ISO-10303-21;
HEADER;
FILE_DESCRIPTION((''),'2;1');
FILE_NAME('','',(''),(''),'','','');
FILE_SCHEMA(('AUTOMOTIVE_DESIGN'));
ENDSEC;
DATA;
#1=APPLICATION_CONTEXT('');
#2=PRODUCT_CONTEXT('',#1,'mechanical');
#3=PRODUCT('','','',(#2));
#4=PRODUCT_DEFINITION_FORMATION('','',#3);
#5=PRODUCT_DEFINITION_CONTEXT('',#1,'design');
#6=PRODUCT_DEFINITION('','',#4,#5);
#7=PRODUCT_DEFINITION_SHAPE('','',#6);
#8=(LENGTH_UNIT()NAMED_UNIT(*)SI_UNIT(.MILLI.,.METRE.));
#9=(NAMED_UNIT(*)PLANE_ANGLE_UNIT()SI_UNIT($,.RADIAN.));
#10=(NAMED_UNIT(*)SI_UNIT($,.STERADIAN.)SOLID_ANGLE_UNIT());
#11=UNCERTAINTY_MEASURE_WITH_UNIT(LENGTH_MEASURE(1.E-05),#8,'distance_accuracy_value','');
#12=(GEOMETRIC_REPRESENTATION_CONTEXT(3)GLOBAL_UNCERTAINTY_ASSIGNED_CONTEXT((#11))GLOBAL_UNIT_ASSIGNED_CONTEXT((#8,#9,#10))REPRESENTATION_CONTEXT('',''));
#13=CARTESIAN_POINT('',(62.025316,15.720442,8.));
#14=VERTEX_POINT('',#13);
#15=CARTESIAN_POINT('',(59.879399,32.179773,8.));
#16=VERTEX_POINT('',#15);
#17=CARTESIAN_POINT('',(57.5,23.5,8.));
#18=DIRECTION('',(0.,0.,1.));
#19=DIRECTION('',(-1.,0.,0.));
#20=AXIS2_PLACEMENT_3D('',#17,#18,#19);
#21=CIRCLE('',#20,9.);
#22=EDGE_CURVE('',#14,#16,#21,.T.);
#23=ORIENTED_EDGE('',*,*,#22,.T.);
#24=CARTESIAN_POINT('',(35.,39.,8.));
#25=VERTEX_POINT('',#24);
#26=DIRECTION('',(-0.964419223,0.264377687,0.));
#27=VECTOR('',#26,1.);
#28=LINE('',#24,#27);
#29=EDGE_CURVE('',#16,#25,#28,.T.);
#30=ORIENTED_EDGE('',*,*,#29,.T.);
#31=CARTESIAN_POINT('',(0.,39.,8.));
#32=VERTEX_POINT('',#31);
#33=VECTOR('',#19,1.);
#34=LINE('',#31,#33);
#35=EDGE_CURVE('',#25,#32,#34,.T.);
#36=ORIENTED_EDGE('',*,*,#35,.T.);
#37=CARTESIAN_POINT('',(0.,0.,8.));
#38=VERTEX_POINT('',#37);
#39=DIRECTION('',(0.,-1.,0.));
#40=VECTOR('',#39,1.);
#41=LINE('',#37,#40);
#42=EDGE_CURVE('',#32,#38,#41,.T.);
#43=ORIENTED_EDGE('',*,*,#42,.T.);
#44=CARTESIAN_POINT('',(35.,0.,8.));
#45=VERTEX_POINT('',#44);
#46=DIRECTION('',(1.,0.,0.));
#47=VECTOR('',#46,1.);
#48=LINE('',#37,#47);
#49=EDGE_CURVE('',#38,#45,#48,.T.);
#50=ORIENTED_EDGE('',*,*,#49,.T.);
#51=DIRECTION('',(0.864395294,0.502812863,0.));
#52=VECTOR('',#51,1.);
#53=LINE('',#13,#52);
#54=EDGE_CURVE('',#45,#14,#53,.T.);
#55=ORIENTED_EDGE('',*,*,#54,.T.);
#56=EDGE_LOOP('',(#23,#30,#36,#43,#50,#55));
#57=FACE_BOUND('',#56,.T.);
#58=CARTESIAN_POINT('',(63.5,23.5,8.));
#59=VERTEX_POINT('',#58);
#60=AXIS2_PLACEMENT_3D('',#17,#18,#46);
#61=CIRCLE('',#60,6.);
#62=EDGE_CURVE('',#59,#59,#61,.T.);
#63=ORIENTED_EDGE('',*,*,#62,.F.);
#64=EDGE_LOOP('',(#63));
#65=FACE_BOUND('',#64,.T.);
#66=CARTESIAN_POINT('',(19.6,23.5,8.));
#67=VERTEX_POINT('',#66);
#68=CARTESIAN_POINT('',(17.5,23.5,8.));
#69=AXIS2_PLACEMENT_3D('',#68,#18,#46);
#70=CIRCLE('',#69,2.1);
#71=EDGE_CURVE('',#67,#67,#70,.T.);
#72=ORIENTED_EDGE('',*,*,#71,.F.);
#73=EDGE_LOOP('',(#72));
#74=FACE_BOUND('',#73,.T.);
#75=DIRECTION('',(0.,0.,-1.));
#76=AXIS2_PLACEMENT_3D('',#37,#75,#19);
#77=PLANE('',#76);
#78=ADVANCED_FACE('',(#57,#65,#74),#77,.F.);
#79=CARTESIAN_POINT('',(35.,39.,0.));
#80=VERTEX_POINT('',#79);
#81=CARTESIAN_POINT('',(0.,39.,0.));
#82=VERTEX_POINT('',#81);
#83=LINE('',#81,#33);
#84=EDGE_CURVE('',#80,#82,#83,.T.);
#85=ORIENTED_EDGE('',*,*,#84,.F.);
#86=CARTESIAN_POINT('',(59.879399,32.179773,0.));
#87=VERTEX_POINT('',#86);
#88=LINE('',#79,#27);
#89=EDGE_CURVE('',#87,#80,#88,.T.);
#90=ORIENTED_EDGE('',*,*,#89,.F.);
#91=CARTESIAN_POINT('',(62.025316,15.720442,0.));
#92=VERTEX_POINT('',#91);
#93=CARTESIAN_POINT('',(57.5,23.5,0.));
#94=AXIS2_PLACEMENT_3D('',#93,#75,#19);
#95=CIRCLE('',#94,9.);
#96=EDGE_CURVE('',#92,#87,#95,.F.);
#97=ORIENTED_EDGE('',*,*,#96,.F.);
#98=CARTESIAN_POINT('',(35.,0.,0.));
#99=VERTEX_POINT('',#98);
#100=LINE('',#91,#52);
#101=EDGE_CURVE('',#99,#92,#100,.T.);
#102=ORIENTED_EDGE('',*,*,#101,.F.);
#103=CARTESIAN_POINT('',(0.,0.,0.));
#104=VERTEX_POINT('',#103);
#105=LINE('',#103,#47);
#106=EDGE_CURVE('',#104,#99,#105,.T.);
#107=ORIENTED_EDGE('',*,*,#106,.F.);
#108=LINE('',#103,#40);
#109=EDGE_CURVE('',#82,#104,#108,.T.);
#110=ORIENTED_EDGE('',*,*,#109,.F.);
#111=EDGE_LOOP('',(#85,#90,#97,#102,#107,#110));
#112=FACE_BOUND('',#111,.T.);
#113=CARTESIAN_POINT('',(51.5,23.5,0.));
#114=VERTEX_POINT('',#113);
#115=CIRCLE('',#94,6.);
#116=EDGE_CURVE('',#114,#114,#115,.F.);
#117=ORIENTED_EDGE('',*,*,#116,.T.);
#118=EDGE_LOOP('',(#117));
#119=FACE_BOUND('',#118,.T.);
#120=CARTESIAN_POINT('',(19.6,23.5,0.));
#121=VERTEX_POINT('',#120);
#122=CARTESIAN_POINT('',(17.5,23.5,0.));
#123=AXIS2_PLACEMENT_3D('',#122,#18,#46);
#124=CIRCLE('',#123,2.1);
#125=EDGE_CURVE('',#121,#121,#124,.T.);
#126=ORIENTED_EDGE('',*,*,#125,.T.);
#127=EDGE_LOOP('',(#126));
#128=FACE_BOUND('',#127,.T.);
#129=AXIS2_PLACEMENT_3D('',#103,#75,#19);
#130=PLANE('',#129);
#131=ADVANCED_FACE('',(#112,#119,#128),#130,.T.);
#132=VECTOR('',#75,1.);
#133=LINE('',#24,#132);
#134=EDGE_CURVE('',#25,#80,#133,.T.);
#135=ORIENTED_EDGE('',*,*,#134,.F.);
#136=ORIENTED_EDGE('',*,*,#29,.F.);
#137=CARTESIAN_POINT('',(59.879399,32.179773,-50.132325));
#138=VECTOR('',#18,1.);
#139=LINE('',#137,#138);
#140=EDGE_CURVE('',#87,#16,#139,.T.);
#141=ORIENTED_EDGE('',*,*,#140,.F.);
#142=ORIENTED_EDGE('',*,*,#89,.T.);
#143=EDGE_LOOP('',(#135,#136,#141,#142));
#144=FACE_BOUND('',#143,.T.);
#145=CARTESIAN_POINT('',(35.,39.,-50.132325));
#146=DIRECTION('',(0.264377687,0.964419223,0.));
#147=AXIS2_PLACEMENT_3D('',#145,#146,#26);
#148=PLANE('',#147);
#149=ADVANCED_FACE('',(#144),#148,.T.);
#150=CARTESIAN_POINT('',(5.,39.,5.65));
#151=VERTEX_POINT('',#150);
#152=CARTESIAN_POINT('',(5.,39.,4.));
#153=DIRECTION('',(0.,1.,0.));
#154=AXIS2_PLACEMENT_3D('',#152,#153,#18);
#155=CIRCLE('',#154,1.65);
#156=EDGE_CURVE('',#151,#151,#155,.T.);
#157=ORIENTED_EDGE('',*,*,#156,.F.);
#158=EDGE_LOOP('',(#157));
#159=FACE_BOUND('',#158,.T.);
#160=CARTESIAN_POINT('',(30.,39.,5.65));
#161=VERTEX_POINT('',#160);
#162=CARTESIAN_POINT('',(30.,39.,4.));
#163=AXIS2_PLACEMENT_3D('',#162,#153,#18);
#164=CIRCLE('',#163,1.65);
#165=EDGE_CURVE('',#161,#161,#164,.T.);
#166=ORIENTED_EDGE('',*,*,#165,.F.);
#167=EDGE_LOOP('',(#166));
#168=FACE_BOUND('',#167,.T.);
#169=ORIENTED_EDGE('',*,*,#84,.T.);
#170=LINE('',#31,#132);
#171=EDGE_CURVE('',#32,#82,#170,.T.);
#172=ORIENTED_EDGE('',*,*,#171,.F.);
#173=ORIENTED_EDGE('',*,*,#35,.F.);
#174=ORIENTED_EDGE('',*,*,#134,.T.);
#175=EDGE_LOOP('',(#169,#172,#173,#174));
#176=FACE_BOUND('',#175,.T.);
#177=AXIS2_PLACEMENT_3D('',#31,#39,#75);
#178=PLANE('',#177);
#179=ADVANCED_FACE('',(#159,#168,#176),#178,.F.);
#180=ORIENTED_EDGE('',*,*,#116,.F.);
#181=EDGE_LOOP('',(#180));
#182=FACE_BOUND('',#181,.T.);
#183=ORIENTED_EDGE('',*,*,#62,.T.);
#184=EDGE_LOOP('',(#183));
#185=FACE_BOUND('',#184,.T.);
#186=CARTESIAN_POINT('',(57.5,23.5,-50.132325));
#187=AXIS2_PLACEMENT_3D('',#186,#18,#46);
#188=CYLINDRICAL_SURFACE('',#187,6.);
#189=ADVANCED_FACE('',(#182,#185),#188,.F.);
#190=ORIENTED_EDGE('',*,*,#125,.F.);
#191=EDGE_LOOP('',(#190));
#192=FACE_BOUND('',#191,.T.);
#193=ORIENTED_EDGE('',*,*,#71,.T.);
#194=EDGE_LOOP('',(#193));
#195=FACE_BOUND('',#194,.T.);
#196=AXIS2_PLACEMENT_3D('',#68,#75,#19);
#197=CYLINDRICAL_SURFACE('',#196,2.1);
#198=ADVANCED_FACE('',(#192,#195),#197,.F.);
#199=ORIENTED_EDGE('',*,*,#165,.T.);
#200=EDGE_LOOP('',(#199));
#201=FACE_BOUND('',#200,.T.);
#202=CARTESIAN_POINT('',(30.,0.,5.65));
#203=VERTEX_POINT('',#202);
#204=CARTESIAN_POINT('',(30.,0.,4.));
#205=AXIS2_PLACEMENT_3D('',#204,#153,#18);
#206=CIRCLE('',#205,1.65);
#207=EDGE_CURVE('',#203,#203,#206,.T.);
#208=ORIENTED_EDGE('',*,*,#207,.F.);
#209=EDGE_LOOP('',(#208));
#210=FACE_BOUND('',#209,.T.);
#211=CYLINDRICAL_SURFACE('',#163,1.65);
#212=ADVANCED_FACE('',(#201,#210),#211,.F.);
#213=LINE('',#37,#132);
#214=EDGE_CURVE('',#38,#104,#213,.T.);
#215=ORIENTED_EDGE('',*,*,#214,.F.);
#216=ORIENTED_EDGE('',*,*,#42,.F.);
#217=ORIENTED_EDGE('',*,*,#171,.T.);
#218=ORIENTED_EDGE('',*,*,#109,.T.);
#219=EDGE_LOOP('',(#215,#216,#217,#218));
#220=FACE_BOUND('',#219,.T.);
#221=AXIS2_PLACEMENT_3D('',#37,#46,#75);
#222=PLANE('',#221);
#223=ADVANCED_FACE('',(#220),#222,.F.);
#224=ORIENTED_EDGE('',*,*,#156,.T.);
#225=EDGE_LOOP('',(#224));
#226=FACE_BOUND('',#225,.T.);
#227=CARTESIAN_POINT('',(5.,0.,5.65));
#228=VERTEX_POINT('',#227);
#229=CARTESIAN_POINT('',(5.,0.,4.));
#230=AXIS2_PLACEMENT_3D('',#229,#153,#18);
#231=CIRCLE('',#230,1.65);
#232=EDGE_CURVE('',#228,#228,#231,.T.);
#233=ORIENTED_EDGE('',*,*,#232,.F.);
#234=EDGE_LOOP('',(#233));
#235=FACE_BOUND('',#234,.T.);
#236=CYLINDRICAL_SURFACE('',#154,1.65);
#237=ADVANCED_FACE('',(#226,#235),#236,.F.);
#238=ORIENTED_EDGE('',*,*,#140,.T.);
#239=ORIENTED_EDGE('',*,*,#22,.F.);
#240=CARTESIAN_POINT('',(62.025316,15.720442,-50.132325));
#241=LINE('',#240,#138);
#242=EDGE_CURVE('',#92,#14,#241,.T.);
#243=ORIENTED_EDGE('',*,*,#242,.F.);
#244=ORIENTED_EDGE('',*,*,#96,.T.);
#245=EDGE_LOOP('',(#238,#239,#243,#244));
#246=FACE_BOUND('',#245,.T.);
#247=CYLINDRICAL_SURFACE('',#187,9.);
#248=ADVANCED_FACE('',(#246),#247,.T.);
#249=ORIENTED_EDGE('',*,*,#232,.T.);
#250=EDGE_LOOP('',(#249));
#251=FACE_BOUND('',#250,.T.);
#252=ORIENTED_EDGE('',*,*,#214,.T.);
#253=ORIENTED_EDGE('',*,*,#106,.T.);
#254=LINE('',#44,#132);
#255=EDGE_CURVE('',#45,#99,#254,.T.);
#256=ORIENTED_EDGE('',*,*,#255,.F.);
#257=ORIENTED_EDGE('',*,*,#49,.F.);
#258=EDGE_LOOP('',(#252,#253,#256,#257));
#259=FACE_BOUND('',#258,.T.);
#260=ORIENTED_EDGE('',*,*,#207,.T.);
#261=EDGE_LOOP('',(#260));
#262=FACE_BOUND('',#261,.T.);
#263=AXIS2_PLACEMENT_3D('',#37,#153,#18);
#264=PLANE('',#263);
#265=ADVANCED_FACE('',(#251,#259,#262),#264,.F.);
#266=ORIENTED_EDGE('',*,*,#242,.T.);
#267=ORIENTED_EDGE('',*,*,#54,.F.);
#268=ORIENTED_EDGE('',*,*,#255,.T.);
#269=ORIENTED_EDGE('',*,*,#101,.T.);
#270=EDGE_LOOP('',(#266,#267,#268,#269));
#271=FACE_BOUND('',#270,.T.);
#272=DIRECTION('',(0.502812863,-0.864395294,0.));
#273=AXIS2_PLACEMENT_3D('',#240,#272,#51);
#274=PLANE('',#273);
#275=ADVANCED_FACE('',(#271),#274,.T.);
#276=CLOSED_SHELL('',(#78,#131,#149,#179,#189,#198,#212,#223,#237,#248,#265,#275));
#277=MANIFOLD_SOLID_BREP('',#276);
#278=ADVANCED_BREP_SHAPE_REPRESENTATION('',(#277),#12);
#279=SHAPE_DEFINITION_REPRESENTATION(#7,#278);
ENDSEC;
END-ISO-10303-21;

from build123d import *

# Parameters (mm, degrees)
SKETCH_1_W          = 35
SKETCH_1_H          = 39
SKETCH_1_R          = 2.1
EXTRUDE_1_DEPTH     = 8
SKETCH_2_R          = 1.6
CUT_EXTRUDE_1_DEPTH = 54.009433123
SKETCH_5_R          = 6
EXTRUDE_3_DEPTH     = 8
M4X0_7_1_D          = 3.3


with BuildPart() as part:
    # 草图1 → 凸台-拉伸1 (new body)
    with BuildSketch(Plane.XY):
        with Locations((17.5, 19.5)):
            Rectangle(SKETCH_1_W, SKETCH_1_H)
        with Locations((17.5, 23.5)):
            Circle(SKETCH_1_R, mode=Mode.SUBTRACT)
    extrude(amount=EXTRUDE_1_DEPTH)

    # 草图2 → 切除-拉伸1 (cut, through all)
    with BuildSketch(Plane(origin=(0, 39, 0), x_dir=(1, 0, 0), z_dir=(0, 1, 0))):
        with Locations(Location((5, -4, 0), (0, 0, 270))):
            Circle(SKETCH_2_R)
        with Locations(Location((30, -4, 0), (0, 0, 270))):
            Circle(SKETCH_2_R)
    extrude(amount=-CUT_EXTRUDE_1_DEPTH, mode=Mode.SUBTRACT)

    # 草图5 → 凸台-拉伸3 (add)
    with BuildSketch(Plane.XY.offset(8)):
        with BuildLine():
            Line((35, 39), (59.879399185, 32.179773011))
            ThreePointArc((59.879399185, 32.179773011), (66.424469933, 24.663544764), (62.025315767, 15.720442351))
            Line((62.025315767, 15.720442351), (35, 0))
            Line((35, 0), (35, 39))
        make_face()
        with Locations((57.5, 23.5)):
            Circle(SKETCH_5_R, mode=Mode.SUBTRACT)
    extrude(amount=-EXTRUDE_3_DEPTH)

    # M4x0.7 螺纹孔1 (through all)
    with Locations(Plane(origin=(0, 39, 0), x_dir=(1, 0, 0), z_dir=(0, 1, 0))):
        with Locations((5, -4), (30, -4)):
            Hole(M4X0_7_1_D / 2)


solid = part.part
